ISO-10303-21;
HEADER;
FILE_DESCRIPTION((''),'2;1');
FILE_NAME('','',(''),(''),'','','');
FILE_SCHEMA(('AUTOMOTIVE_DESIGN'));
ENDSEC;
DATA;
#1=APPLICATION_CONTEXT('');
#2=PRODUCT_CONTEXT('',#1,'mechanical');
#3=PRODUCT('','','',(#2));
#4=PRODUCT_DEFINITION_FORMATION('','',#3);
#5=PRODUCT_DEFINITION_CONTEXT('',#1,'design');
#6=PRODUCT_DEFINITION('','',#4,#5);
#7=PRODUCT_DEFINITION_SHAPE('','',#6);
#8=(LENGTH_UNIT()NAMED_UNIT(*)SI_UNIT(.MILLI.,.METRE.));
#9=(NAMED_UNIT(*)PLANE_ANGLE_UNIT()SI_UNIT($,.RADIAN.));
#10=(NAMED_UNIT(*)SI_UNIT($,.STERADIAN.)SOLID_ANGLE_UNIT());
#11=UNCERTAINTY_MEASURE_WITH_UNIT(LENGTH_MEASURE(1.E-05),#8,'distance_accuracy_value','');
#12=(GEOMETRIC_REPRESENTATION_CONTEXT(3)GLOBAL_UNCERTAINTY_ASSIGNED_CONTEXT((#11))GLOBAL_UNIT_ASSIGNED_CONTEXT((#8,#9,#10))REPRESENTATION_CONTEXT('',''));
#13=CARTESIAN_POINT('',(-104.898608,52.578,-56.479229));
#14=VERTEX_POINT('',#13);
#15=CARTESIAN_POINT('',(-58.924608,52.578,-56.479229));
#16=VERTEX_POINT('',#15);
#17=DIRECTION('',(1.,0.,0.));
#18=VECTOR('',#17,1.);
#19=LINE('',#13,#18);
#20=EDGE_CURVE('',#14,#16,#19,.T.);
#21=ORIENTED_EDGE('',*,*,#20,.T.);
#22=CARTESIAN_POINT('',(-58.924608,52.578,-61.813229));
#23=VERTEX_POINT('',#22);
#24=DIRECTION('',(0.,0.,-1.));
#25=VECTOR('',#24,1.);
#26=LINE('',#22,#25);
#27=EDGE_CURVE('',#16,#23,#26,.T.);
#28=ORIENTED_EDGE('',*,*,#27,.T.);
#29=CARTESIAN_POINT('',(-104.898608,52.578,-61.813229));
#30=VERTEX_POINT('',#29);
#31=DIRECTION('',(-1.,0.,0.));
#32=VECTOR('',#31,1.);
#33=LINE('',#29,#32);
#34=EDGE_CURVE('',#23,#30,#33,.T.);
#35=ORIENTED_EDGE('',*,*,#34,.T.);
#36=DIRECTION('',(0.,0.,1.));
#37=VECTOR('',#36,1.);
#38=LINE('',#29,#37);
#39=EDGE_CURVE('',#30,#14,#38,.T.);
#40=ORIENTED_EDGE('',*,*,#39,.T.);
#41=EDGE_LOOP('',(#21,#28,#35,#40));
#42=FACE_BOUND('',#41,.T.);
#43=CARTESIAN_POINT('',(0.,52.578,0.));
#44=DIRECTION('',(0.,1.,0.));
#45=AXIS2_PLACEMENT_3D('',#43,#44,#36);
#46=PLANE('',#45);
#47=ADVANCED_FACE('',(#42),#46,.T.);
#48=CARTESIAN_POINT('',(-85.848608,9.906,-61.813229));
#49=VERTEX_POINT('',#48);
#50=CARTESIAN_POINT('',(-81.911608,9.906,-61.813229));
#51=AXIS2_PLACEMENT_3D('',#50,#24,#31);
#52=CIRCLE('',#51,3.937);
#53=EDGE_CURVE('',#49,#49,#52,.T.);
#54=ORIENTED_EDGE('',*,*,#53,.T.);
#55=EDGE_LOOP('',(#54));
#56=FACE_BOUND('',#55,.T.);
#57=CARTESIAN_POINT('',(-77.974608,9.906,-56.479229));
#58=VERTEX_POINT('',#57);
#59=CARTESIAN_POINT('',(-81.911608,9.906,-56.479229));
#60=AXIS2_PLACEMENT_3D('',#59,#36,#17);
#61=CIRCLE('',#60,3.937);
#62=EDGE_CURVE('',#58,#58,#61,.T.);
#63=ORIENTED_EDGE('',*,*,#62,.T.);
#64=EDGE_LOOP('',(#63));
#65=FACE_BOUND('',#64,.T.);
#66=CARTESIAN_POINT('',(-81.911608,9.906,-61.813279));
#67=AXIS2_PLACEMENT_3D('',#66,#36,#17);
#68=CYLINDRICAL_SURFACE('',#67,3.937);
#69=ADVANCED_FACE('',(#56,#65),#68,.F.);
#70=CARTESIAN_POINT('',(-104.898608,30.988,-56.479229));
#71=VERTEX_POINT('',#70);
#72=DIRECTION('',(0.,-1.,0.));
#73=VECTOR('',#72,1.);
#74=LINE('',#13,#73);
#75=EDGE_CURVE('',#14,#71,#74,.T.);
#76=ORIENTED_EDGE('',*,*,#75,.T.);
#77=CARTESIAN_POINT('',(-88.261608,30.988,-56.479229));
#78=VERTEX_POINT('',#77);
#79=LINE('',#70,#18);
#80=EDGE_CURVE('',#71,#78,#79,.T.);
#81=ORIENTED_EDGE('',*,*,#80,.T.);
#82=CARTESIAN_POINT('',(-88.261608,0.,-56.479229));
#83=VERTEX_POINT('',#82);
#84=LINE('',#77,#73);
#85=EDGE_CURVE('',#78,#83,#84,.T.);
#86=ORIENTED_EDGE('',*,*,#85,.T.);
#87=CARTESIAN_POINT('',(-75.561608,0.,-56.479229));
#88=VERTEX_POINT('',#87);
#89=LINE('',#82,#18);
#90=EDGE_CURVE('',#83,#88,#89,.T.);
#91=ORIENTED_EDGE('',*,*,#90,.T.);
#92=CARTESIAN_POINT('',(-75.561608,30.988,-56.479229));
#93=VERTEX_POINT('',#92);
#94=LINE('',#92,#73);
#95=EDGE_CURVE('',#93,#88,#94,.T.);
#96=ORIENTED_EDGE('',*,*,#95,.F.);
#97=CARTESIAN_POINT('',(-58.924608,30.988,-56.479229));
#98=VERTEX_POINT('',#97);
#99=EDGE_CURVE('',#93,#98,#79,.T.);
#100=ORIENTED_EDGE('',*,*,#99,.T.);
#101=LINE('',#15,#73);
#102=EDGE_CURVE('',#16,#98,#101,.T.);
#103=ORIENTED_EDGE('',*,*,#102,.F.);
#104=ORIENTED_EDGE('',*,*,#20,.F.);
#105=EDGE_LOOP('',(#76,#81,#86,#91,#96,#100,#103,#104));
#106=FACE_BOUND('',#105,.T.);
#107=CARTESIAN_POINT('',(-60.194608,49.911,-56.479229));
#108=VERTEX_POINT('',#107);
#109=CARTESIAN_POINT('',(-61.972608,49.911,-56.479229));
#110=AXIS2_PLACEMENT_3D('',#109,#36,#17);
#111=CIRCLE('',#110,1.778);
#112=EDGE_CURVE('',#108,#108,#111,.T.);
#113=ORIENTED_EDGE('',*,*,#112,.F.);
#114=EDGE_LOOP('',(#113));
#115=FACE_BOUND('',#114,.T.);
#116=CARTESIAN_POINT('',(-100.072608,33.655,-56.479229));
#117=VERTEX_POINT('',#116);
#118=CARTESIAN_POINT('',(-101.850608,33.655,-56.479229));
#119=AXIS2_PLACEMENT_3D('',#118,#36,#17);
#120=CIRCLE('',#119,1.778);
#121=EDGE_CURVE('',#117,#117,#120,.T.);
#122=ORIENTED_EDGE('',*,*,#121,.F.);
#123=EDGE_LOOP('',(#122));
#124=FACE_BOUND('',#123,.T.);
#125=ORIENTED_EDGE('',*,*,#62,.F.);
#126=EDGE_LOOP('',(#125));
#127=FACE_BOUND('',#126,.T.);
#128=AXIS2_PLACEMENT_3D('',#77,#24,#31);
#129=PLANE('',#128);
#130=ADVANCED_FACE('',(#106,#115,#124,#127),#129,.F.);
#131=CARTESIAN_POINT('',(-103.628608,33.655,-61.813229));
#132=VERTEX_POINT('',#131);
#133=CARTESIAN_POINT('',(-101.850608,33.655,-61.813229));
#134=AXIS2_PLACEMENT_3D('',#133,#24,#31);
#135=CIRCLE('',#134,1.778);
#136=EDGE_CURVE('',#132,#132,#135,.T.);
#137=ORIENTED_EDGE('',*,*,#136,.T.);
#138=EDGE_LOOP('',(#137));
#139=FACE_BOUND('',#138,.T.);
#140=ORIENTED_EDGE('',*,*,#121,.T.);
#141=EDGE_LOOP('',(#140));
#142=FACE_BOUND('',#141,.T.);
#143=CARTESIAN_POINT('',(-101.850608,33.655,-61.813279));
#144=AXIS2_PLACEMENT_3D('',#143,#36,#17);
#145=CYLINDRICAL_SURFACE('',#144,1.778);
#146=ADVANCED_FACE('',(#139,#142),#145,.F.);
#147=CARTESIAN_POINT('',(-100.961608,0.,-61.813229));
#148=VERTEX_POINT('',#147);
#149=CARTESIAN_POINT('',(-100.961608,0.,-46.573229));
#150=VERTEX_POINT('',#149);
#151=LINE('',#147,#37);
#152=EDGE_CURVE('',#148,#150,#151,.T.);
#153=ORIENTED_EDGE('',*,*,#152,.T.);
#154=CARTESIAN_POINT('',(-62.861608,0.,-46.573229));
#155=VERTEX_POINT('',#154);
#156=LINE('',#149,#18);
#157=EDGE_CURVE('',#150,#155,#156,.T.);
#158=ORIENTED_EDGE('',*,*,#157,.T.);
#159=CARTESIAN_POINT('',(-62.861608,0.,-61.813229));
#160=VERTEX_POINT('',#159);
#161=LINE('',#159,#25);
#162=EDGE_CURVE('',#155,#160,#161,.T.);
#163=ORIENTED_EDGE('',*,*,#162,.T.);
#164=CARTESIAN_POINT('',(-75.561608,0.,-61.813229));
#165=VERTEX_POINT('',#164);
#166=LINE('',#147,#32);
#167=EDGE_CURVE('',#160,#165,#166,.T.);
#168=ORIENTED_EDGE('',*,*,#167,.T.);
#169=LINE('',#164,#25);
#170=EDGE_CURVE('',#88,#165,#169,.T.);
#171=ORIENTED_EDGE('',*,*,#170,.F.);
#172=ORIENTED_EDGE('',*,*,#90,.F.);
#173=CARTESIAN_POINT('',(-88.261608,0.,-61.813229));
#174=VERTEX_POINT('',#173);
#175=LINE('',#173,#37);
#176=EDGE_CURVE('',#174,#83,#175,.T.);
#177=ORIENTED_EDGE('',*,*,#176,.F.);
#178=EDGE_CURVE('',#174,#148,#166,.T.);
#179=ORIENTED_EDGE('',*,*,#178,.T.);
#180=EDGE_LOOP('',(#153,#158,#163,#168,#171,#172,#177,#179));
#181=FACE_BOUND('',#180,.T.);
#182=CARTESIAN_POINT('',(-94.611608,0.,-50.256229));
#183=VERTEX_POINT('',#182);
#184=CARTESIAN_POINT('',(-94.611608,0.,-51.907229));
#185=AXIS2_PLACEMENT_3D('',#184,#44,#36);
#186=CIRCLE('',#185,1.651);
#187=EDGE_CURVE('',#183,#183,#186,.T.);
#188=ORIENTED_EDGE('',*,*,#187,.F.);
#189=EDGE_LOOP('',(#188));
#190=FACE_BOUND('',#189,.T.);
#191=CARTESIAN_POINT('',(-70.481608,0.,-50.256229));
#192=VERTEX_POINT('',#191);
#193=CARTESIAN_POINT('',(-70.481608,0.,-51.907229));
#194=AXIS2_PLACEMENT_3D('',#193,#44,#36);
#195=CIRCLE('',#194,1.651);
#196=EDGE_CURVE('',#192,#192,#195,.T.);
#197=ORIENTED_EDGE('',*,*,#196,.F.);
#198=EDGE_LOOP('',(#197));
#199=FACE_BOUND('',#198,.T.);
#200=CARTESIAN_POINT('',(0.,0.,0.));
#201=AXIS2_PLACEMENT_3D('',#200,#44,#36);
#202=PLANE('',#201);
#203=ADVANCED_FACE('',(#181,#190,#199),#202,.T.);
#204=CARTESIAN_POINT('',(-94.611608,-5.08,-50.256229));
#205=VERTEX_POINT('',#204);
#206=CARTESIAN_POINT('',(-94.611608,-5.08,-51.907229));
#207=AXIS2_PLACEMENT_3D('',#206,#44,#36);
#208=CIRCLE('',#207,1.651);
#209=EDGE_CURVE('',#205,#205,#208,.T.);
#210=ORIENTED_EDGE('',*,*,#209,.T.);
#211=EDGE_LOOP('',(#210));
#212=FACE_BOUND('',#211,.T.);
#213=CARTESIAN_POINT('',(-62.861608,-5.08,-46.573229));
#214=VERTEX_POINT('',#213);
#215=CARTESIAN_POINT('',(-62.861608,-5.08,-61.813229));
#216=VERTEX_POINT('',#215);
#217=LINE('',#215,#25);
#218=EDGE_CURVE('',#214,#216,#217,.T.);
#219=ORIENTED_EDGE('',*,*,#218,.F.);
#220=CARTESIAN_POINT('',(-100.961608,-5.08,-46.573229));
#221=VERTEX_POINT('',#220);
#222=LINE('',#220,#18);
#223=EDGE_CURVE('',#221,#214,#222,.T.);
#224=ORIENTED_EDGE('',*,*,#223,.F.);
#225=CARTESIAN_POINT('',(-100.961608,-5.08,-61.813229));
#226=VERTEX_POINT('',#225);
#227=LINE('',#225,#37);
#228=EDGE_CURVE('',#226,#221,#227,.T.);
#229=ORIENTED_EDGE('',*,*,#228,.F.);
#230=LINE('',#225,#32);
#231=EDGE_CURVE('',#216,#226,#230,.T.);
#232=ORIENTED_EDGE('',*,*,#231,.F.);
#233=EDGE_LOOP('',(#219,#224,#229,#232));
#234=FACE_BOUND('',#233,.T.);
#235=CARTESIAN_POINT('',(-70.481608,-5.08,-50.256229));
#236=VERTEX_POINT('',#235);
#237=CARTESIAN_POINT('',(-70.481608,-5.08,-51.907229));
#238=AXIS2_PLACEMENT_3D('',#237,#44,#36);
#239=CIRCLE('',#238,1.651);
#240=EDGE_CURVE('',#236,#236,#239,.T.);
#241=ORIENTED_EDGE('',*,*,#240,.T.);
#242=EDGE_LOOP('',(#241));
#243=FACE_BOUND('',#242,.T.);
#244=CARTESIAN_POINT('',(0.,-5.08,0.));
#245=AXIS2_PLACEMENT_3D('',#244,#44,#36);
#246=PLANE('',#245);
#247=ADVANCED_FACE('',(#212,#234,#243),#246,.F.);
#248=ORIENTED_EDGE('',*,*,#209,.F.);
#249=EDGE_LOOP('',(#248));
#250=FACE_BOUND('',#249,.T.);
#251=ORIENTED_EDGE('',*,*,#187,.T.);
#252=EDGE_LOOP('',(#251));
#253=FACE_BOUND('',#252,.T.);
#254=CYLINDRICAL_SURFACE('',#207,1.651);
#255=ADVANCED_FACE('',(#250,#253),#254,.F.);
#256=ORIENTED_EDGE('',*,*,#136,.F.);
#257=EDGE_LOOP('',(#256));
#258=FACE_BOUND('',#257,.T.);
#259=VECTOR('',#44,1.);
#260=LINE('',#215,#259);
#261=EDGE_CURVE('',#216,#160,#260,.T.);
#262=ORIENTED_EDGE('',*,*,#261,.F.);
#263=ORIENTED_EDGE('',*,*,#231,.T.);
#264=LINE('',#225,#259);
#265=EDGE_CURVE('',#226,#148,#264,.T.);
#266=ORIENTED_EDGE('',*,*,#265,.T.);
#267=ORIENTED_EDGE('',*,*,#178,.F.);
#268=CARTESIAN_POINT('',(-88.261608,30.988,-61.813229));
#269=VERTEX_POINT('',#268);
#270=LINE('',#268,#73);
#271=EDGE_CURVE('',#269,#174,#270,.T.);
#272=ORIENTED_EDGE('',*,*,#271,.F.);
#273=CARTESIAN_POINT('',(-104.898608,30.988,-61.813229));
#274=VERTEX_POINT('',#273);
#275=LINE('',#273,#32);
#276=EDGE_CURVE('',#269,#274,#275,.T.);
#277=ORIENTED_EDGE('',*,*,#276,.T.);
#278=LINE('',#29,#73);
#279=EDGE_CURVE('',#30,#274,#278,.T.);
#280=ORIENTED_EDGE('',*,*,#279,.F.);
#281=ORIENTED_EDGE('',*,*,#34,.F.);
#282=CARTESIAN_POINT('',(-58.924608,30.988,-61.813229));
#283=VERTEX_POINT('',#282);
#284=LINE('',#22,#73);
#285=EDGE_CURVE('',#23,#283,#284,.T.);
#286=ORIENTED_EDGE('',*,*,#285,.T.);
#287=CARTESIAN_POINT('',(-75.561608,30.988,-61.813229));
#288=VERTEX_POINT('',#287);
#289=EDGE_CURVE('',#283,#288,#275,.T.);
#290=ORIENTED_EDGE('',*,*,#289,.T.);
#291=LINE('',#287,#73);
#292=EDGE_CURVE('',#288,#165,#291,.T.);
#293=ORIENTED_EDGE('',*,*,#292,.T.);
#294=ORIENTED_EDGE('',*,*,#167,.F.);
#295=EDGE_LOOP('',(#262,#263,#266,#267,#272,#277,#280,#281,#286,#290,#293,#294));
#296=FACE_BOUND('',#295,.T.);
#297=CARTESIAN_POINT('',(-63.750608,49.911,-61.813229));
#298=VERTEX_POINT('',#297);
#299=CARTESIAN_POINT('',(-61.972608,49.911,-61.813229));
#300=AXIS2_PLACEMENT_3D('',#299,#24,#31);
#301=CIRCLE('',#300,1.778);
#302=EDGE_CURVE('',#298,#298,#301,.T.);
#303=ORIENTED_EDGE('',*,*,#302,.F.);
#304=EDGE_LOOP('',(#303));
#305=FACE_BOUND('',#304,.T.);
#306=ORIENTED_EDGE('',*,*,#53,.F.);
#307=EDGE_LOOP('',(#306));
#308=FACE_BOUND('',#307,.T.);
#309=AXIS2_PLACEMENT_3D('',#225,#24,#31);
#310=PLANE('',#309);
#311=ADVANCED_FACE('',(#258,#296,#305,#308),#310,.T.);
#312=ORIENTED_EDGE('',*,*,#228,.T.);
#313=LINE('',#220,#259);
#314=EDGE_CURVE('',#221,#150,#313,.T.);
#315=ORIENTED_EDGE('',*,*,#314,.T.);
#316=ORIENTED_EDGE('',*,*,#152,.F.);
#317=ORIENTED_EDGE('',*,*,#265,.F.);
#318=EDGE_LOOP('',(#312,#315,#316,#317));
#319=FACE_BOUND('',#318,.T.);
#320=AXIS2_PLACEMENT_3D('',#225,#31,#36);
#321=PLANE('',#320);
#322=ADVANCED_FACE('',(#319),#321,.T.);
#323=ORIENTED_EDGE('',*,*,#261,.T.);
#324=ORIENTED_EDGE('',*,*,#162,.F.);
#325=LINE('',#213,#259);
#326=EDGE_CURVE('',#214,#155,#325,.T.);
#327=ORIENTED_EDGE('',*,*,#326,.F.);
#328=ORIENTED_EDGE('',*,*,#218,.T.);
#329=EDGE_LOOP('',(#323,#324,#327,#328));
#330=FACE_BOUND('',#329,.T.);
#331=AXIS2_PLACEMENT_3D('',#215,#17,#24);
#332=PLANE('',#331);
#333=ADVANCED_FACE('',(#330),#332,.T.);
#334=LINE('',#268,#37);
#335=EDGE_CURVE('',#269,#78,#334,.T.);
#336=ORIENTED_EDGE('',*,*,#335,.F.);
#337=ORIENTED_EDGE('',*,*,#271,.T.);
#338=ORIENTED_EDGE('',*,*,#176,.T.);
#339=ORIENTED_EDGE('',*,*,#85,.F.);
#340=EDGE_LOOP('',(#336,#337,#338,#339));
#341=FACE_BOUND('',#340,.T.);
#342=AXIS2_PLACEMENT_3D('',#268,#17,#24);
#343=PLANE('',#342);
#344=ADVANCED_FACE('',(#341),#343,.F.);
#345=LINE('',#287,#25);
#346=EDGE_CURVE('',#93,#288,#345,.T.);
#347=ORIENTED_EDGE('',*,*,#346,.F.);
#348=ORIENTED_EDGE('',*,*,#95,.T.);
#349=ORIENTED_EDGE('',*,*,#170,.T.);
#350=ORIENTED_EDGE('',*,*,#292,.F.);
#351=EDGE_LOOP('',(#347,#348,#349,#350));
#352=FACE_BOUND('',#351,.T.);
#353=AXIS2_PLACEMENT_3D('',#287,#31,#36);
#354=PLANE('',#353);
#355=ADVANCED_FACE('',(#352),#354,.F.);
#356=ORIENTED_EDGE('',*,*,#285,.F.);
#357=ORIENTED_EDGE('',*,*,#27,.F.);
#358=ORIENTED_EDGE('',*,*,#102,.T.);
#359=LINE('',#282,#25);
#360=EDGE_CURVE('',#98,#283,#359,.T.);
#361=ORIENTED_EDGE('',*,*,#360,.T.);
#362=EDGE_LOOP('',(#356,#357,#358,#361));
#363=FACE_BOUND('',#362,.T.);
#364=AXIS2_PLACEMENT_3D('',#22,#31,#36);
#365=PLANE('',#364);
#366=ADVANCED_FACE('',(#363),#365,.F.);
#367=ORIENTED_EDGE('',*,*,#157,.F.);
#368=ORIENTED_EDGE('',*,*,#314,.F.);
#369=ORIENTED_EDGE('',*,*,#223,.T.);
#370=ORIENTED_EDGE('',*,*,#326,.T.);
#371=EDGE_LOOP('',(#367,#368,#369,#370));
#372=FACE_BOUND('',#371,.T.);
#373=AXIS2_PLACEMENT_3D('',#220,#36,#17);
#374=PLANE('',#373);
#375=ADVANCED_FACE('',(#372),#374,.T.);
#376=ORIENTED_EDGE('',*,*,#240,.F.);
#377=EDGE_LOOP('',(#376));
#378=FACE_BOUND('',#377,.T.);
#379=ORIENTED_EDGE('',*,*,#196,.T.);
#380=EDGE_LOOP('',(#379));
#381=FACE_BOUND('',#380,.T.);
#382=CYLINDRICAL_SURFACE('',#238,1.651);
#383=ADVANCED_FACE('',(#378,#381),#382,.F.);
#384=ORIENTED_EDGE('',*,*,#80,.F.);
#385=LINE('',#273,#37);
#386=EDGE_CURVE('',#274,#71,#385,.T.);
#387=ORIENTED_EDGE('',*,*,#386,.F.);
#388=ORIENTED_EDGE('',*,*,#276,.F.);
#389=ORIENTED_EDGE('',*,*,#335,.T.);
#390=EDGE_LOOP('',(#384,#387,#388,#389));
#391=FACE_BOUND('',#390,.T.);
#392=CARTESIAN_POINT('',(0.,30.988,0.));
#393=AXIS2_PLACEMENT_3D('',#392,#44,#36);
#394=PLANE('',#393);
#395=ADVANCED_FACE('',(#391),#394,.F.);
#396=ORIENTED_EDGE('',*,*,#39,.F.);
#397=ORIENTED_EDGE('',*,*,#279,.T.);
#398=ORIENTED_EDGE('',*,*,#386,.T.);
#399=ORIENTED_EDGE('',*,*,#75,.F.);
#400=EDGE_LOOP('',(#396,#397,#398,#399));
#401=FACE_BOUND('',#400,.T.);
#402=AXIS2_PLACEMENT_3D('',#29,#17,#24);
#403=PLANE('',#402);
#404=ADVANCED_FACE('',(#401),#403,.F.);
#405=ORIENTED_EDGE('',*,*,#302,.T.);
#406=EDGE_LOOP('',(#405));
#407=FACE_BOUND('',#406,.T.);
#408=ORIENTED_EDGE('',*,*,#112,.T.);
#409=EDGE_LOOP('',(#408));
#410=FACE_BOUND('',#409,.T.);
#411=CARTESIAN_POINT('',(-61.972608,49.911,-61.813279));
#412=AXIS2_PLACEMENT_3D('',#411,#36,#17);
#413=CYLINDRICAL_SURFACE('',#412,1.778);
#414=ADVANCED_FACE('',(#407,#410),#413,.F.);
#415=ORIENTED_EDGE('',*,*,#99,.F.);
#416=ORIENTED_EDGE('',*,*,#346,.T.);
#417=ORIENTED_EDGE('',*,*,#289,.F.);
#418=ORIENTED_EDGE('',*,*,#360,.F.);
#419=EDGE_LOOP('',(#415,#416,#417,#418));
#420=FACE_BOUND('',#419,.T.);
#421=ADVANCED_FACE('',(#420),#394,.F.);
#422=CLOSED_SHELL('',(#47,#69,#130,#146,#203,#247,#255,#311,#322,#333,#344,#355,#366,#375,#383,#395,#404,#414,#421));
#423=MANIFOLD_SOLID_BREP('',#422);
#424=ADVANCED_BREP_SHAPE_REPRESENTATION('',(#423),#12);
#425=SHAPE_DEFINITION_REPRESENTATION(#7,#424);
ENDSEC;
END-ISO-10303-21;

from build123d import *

# Parameters (mm, degrees)
SKETCH1_W           = 38.1
SKETCH1_H           = 15.24
BOSS_EXTRUDE1_DEPTH = 5.08
SKETCH2_R           = 1.651
CUT_EXTRUDE1_DEPTH  = 119.490202326
SKETCH3_W           = 12.7
SKETCH3_H           = 5.334
BOSS_EXTRUDE2_DEPTH = 30.988
SKETCH6_W           = 45.974
SKETCH6_H           = 5.334
BOSS_EXTRUDE3_DEPTH = 21.59
SKETCH7_R           = 1.778
CUT_EXTRUDE4_DEPTH  = 118.755224526
SKETCH8_R           = 3.937
CUT_EXTRUDE5_DEPTH  = 118.755224526


with BuildPart() as part:
    # Sketch1 → Boss-Extrude1 (new body)
    with BuildSketch(Plane(origin=(0, 0, 0), x_dir=(1, 0, 0), z_dir=(0, 1, 0))):
        with Locations((-81.911608108, 54.193229454)):
            Rectangle(SKETCH1_W, SKETCH1_H)
    extrude(amount=-BOSS_EXTRUDE1_DEPTH)

    # Sketch2 → Cut-Extrude1 (cut, through all)
    with BuildSketch(Plane(origin=(0, 0, 0), x_dir=(1, 0, 0), z_dir=(0, 1, 0))):
        with Locations(Location((-94.611608108, 51.907229454, 0), (0, 0, 270))):
            Circle(SKETCH2_R)
        with Locations(Location((-70.481608108, 51.907229454, 0), (0, 0, 270))):
            Circle(SKETCH2_R)
    extrude(amount=-CUT_EXTRUDE1_DEPTH, mode=Mode.SUBTRACT)

    # Sketch3 → Boss-Extrude2 (add)
    with BuildSketch(Plane(origin=(0, 0, 0), x_dir=(1, 0, 0), z_dir=(0, 1, 0))):
        with Locations((-81.911608108, 59.146229454)):
            Rectangle(SKETCH3_W, SKETCH3_H)
    extrude(amount=BOSS_EXTRUDE2_DEPTH)

    # Sketch6 → Boss-Extrude3 (add)
    with BuildSketch(Plane(origin=(0, 30.988, 0), x_dir=(1, 0, 0), z_dir=(0, 1, 0))):
        with Locations((-81.911608108, 59.146229454)):
            Rectangle(SKETCH6_W, SKETCH6_H)
    extrude(amount=BOSS_EXTRUDE3_DEPTH)

    # Sketch7 → Cut-Extrude4 (cut, through all)
    with BuildSketch(Plane.XY.offset(-56.479229454)):
        with Locations((-101.850608108, 33.655)):
            Circle(SKETCH7_R)
        with Locations((-61.972608108, 49.911)):
            Circle(SKETCH7_R)
    extrude(amount=-CUT_EXTRUDE4_DEPTH, mode=Mode.SUBTRACT)

    # Sketch8 → Cut-Extrude5 (cut, through all)
    with BuildSketch(Plane.XY.offset(-56.479229454)):
        with Locations((-81.911608108, 9.906)):
            Circle(SKETCH8_R)
    extrude(amount=-CUT_EXTRUDE5_DEPTH, mode=Mode.SUBTRACT)


solid = part.part
